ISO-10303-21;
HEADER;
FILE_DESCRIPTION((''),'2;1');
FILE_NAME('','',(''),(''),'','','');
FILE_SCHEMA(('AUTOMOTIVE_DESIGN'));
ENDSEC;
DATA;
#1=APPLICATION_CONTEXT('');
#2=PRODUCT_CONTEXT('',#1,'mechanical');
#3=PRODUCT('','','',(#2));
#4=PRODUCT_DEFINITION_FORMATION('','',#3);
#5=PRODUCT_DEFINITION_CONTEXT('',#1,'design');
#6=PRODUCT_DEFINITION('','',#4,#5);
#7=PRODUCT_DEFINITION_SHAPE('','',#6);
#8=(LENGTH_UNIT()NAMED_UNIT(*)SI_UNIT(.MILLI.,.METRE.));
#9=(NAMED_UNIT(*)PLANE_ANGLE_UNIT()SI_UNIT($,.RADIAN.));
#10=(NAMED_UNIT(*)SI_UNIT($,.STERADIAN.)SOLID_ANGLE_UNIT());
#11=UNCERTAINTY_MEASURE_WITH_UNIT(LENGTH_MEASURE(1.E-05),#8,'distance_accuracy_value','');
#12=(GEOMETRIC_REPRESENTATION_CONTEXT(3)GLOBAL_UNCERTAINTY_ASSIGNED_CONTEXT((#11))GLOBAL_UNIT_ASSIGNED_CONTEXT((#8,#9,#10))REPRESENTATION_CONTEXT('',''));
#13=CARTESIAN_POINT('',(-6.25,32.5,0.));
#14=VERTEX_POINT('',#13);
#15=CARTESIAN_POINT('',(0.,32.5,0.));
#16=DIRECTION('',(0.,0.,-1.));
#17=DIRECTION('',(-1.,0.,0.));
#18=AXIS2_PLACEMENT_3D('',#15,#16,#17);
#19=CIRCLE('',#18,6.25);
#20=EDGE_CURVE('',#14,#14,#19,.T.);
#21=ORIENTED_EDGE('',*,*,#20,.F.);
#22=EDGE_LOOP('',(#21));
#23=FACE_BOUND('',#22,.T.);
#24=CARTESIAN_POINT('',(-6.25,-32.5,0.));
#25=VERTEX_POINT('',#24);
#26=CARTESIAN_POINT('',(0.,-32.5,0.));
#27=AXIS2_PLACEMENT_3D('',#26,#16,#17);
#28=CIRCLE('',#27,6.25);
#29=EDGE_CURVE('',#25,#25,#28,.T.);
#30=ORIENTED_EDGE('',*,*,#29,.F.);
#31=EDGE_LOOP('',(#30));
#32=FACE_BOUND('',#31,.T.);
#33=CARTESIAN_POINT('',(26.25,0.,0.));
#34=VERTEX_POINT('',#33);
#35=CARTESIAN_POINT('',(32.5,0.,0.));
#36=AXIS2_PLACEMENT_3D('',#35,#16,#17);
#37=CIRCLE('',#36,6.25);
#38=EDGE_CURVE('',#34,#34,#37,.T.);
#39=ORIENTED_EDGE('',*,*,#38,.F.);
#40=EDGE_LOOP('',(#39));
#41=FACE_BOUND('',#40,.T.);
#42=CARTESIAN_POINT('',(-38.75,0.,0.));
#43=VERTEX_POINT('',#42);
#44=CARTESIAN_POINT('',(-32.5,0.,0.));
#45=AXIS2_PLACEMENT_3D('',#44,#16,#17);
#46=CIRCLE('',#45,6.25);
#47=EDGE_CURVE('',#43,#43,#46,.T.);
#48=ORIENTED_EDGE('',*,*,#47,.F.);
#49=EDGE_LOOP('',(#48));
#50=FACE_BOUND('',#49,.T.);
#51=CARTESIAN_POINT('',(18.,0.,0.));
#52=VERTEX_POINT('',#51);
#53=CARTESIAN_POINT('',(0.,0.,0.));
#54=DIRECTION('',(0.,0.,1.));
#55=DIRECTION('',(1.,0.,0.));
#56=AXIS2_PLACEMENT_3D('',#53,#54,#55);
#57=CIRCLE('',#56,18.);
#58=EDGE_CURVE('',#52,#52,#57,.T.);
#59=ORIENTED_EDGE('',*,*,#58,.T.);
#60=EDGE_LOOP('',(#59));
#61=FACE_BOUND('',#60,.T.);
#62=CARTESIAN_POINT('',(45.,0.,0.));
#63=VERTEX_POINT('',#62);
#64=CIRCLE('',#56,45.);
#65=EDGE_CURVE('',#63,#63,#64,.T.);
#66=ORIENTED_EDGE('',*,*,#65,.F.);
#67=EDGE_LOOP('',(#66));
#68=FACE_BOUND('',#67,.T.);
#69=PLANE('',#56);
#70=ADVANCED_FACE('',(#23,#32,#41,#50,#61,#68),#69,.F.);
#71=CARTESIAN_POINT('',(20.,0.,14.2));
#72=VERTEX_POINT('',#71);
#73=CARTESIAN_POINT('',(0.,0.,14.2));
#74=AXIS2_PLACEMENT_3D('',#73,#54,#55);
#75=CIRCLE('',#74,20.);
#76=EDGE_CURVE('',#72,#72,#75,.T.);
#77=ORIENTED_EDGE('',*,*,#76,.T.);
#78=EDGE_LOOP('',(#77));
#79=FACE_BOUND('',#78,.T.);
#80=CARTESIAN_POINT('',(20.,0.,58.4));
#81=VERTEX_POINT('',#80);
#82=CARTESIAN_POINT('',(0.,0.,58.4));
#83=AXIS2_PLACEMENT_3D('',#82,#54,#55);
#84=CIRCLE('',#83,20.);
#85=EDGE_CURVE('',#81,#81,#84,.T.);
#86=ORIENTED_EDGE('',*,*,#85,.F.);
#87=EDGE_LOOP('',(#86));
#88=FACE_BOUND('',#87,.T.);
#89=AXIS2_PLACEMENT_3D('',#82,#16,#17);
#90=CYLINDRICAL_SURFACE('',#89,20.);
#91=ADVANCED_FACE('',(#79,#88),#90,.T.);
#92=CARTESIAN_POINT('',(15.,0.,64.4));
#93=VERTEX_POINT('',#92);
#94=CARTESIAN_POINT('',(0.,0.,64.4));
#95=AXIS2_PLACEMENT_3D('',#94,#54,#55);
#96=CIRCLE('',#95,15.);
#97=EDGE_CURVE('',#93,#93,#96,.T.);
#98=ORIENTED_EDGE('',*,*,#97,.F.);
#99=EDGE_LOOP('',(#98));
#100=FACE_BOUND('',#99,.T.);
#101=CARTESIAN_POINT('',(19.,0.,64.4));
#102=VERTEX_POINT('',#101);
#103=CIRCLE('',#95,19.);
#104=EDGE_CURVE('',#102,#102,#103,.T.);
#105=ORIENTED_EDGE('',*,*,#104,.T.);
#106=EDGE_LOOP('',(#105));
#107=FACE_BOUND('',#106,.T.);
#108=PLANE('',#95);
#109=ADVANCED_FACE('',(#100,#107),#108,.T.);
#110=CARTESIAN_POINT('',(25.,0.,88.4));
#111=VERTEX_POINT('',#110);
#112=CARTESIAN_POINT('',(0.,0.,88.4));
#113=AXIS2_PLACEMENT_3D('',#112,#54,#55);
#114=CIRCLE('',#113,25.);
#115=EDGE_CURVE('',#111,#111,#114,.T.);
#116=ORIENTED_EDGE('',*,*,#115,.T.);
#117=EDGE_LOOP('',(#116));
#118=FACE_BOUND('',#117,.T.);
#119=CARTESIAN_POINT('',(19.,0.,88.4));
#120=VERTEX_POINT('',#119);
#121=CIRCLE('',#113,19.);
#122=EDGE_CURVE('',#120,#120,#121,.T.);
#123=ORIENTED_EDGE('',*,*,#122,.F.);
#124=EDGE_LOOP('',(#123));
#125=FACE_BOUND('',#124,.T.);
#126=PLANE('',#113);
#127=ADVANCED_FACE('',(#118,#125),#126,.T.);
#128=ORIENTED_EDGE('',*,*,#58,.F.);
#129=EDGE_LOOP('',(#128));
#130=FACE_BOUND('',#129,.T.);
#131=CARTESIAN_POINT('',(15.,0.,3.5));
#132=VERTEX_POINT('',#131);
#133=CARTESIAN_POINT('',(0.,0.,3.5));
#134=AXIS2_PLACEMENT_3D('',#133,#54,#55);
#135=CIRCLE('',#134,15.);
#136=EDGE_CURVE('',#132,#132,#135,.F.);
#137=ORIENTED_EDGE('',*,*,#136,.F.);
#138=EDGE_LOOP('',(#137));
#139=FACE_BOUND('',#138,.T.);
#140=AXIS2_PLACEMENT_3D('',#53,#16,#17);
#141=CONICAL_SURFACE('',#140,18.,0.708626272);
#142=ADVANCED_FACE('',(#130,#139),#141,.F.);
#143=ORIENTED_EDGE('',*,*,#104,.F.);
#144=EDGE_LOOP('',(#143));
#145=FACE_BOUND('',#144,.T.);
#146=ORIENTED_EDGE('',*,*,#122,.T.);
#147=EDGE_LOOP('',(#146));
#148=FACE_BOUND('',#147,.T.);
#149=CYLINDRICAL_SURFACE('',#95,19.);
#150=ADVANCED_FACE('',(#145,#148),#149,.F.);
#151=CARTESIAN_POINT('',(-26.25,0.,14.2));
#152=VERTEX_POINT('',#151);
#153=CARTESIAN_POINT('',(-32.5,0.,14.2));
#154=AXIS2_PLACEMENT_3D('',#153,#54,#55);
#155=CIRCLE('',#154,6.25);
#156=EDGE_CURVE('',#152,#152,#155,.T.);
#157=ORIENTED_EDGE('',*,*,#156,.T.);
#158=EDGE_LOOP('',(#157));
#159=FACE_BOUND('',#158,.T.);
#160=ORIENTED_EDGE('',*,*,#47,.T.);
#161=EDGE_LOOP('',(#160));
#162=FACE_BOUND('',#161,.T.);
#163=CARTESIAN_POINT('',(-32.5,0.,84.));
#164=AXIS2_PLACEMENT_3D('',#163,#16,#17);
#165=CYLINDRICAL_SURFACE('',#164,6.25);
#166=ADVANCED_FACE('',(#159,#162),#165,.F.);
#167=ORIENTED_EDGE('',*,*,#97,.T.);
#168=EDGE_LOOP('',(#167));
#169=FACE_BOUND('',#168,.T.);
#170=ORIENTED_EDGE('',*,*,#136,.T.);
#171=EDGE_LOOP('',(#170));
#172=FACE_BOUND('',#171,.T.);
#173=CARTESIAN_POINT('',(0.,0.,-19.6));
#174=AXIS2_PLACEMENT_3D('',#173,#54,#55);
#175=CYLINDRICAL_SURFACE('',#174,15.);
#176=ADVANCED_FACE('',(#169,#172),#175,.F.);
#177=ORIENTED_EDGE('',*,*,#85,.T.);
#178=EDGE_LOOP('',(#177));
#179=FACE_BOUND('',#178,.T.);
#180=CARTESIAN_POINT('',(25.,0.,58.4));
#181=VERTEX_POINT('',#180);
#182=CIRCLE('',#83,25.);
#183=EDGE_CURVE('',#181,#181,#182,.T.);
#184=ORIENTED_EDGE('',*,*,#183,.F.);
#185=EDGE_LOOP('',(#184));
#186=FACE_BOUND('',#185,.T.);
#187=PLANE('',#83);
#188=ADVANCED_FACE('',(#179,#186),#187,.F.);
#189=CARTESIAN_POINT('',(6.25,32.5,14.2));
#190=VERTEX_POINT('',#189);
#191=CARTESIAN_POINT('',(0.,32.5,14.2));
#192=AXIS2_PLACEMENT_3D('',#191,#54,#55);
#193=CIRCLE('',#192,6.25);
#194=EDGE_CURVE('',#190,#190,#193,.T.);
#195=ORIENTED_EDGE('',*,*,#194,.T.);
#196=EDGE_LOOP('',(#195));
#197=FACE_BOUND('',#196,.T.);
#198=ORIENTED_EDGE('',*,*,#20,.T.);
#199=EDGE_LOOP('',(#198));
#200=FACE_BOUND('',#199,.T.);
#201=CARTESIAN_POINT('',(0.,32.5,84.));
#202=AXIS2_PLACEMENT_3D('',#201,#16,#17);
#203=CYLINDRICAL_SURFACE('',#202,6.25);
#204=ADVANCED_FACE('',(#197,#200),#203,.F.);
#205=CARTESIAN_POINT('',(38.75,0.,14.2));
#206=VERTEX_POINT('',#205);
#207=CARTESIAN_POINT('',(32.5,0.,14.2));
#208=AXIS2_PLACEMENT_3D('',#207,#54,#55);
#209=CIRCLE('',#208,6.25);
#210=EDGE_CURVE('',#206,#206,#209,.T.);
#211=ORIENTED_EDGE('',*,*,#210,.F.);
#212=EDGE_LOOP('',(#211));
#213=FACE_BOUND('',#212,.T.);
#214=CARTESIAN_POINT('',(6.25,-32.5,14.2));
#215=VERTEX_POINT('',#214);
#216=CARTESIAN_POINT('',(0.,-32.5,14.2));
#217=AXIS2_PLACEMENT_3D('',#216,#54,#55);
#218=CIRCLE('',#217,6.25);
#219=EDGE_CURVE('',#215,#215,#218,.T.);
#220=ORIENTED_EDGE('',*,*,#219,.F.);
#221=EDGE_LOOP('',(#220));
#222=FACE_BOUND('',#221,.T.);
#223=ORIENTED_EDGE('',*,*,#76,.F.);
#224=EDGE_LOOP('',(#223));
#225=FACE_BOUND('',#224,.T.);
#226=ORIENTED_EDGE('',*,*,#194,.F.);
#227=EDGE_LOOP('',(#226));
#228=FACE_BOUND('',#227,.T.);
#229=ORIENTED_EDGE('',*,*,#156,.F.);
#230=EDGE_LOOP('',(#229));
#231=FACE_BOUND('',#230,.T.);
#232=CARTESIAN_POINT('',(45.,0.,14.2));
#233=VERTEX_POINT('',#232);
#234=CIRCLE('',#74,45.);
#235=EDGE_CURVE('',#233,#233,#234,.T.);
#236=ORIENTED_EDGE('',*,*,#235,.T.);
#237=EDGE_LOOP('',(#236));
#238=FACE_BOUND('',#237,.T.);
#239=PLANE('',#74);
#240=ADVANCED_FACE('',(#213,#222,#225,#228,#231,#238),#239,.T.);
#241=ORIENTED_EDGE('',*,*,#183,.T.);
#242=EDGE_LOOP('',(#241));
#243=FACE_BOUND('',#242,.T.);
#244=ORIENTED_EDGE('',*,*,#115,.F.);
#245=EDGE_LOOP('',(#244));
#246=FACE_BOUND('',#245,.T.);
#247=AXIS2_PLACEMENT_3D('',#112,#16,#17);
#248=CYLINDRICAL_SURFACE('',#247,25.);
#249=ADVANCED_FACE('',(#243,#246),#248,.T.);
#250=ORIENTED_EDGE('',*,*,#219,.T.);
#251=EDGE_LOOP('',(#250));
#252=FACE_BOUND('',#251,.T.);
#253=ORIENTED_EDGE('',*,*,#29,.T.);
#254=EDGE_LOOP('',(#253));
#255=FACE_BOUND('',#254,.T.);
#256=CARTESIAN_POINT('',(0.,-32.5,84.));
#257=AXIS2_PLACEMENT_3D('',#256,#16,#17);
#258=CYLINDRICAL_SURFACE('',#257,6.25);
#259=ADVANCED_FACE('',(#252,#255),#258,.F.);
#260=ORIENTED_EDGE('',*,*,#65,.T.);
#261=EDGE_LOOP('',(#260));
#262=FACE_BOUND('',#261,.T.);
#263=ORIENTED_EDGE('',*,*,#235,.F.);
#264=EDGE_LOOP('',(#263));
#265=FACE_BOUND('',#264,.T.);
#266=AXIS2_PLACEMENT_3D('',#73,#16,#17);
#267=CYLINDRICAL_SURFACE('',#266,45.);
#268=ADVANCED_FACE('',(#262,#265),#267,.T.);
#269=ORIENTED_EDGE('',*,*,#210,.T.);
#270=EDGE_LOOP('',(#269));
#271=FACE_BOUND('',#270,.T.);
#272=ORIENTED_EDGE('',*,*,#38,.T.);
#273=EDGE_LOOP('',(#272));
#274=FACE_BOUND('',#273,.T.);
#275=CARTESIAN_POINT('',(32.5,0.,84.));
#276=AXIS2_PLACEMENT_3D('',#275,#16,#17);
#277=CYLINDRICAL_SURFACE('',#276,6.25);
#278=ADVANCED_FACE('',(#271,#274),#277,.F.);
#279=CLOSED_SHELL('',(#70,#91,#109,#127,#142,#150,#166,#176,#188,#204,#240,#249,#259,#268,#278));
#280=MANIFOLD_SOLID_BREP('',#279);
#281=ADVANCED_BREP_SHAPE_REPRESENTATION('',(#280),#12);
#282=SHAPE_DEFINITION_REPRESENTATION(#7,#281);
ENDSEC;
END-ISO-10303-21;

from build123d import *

# Parameters (mm, degrees)
CROQUIS1_R              = 45
SALIENTE_EXTRUIR1_DEPTH = 14.2
CROQUIS2_R              = 20
SALIENTE_EXTRUIR2_DEPTH = 44.2
CROQUIS3_R              = 25
SALIENTE_EXTRUIR3_DEPTH = 30
CROQUIS4_R              = 19
CORTAR_EXTRUIR1_DEPTH   = 24
CROQUIS5_R              = 15
CORTAR_EXTRUIR2_DEPTH   = 84
CHAFL_N1_SIZE           = 3.5
CHAFL_N1_SIZE2          = 3
CROQUIS6_R              = 6.25
CORTAR_EXTRUIR3_DEPTH   = 84


with BuildPart() as part:
    # Croquis1 → Saliente-Extruir1 (new body)
    with BuildSketch(Plane.XY):
        Circle(CROQUIS1_R)
    extrude(amount=SALIENTE_EXTRUIR1_DEPTH)

    # Croquis2 → Saliente-Extruir2 (add)
    with BuildSketch(Plane.XY.offset(14.2)):
        Circle(CROQUIS2_R)
    extrude(amount=SALIENTE_EXTRUIR2_DEPTH)

    # Croquis3 → Saliente-Extruir3 (add)
    with BuildSketch(Plane.XY.offset(58.4)):
        Circle(CROQUIS3_R)
    extrude(amount=SALIENTE_EXTRUIR3_DEPTH)

    # Croquis4 → Cortar-Extruir1 (cut)
    with BuildSketch(Plane.XY.offset(88.4)):
        Circle(CROQUIS4_R)
    extrude(amount=-CORTAR_EXTRUIR1_DEPTH, mode=Mode.SUBTRACT)

    # Croquis5 → Cortar-Extruir2 (cut)
    with BuildSketch(Plane.XY.offset(64.4)):
        Circle(CROQUIS5_R)
    extrude(amount=-CORTAR_EXTRUIR2_DEPTH, mode=Mode.SUBTRACT)

    # Chaflán1
    chafl_n1_edges = [part.edges().sort_by_distance(p)[0] for p in [
        (-15, 0, 0),
    ]]
    chafl_n1_side = [part.faces().sort_by_distance(p)[0] for p in [
        (-15, 0, 32.2),
    ]]
    chamfer(chafl_n1_edges, length=CHAFL_N1_SIZE, length2=CHAFL_N1_SIZE2, reference=chafl_n1_side[0])

    # Croquis6 → Cortar-Extruir3 (cut)
    with BuildSketch(Plane(origin=(0, 0, 0), x_dir=(-1, 0, 0), z_dir=(0, 0, -1))):
        with Locations((0, 32.5)):
            Circle(CROQUIS6_R)
        with Locations((32.5, 0)):
            Circle(CROQUIS6_R)
        with Locations((0, -32.5)):
            Circle(CROQUIS6_R)
        with Locations((-32.5, 0)):
            Circle(CROQUIS6_R)
    extrude(amount=-CORTAR_EXTRUIR3_DEPTH, mode=Mode.SUBTRACT)


solid = part.part
